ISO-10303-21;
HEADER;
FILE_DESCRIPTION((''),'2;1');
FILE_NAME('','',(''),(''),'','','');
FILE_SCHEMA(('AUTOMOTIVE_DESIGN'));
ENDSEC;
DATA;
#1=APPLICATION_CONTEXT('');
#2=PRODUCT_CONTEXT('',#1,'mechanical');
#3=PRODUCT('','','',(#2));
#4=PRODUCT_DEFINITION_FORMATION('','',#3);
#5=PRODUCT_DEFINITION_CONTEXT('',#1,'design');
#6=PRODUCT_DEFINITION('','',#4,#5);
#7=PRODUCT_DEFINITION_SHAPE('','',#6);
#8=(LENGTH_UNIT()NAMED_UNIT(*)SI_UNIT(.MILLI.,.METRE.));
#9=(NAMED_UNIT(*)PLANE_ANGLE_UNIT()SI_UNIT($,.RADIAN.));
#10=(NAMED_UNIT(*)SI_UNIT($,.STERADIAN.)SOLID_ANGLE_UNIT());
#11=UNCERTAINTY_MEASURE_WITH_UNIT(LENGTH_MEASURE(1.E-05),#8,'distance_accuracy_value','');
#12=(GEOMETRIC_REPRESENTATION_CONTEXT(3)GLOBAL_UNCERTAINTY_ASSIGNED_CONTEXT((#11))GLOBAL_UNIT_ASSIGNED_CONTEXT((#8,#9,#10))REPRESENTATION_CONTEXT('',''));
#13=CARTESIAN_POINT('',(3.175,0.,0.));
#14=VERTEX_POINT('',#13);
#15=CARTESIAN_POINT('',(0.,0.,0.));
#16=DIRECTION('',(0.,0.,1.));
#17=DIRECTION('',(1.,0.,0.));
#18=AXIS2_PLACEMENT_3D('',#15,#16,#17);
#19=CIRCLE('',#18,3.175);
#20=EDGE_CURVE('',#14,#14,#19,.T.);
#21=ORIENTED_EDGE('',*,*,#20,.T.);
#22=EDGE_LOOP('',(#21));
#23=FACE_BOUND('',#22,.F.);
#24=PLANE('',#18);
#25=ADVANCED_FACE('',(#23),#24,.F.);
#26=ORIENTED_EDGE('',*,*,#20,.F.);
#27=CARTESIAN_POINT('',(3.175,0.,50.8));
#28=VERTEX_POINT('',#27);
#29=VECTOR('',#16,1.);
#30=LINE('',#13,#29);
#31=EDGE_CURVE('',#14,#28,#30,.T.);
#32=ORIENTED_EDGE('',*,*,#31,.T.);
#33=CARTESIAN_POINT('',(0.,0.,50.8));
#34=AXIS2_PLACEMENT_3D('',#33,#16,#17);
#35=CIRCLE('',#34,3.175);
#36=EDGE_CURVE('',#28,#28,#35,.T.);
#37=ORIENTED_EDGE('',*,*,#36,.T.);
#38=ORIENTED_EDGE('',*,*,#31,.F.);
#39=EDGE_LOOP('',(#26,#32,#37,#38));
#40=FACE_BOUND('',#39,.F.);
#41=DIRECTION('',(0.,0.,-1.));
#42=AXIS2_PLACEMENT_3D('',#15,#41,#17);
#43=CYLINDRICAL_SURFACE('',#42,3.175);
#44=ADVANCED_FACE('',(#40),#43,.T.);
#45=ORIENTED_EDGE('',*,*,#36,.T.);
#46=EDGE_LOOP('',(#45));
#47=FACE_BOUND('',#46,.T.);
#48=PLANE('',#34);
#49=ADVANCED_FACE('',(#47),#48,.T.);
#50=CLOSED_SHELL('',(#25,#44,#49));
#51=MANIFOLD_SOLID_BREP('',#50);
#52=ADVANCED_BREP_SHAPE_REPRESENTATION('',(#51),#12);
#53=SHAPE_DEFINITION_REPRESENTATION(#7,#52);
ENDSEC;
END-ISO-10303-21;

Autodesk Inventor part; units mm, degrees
ref_plane "YZ Plane" through (0, 0, 0) normal (1, 0, 0) x (0, 1, 0)
ref_plane "XZ Plane" through (0, 0, 0) normal (0, 1, 0) x (-1, 0, 0)
ref_plane "XY Plane" through (0, 0, 0) normal (0, 0, 1) x (1, 0, 0)
sketch "Sketch1" plane through (0, 0, 0) normal (0, 0, 1) x (1, 0, 0)
  circle A0 centre (0, 0) radius 3.175
  dimension "d0" = 6.35
extrude "Extrusion1" add sketch "Sketch1" along normal blind 50.8
properties part number "rod"
